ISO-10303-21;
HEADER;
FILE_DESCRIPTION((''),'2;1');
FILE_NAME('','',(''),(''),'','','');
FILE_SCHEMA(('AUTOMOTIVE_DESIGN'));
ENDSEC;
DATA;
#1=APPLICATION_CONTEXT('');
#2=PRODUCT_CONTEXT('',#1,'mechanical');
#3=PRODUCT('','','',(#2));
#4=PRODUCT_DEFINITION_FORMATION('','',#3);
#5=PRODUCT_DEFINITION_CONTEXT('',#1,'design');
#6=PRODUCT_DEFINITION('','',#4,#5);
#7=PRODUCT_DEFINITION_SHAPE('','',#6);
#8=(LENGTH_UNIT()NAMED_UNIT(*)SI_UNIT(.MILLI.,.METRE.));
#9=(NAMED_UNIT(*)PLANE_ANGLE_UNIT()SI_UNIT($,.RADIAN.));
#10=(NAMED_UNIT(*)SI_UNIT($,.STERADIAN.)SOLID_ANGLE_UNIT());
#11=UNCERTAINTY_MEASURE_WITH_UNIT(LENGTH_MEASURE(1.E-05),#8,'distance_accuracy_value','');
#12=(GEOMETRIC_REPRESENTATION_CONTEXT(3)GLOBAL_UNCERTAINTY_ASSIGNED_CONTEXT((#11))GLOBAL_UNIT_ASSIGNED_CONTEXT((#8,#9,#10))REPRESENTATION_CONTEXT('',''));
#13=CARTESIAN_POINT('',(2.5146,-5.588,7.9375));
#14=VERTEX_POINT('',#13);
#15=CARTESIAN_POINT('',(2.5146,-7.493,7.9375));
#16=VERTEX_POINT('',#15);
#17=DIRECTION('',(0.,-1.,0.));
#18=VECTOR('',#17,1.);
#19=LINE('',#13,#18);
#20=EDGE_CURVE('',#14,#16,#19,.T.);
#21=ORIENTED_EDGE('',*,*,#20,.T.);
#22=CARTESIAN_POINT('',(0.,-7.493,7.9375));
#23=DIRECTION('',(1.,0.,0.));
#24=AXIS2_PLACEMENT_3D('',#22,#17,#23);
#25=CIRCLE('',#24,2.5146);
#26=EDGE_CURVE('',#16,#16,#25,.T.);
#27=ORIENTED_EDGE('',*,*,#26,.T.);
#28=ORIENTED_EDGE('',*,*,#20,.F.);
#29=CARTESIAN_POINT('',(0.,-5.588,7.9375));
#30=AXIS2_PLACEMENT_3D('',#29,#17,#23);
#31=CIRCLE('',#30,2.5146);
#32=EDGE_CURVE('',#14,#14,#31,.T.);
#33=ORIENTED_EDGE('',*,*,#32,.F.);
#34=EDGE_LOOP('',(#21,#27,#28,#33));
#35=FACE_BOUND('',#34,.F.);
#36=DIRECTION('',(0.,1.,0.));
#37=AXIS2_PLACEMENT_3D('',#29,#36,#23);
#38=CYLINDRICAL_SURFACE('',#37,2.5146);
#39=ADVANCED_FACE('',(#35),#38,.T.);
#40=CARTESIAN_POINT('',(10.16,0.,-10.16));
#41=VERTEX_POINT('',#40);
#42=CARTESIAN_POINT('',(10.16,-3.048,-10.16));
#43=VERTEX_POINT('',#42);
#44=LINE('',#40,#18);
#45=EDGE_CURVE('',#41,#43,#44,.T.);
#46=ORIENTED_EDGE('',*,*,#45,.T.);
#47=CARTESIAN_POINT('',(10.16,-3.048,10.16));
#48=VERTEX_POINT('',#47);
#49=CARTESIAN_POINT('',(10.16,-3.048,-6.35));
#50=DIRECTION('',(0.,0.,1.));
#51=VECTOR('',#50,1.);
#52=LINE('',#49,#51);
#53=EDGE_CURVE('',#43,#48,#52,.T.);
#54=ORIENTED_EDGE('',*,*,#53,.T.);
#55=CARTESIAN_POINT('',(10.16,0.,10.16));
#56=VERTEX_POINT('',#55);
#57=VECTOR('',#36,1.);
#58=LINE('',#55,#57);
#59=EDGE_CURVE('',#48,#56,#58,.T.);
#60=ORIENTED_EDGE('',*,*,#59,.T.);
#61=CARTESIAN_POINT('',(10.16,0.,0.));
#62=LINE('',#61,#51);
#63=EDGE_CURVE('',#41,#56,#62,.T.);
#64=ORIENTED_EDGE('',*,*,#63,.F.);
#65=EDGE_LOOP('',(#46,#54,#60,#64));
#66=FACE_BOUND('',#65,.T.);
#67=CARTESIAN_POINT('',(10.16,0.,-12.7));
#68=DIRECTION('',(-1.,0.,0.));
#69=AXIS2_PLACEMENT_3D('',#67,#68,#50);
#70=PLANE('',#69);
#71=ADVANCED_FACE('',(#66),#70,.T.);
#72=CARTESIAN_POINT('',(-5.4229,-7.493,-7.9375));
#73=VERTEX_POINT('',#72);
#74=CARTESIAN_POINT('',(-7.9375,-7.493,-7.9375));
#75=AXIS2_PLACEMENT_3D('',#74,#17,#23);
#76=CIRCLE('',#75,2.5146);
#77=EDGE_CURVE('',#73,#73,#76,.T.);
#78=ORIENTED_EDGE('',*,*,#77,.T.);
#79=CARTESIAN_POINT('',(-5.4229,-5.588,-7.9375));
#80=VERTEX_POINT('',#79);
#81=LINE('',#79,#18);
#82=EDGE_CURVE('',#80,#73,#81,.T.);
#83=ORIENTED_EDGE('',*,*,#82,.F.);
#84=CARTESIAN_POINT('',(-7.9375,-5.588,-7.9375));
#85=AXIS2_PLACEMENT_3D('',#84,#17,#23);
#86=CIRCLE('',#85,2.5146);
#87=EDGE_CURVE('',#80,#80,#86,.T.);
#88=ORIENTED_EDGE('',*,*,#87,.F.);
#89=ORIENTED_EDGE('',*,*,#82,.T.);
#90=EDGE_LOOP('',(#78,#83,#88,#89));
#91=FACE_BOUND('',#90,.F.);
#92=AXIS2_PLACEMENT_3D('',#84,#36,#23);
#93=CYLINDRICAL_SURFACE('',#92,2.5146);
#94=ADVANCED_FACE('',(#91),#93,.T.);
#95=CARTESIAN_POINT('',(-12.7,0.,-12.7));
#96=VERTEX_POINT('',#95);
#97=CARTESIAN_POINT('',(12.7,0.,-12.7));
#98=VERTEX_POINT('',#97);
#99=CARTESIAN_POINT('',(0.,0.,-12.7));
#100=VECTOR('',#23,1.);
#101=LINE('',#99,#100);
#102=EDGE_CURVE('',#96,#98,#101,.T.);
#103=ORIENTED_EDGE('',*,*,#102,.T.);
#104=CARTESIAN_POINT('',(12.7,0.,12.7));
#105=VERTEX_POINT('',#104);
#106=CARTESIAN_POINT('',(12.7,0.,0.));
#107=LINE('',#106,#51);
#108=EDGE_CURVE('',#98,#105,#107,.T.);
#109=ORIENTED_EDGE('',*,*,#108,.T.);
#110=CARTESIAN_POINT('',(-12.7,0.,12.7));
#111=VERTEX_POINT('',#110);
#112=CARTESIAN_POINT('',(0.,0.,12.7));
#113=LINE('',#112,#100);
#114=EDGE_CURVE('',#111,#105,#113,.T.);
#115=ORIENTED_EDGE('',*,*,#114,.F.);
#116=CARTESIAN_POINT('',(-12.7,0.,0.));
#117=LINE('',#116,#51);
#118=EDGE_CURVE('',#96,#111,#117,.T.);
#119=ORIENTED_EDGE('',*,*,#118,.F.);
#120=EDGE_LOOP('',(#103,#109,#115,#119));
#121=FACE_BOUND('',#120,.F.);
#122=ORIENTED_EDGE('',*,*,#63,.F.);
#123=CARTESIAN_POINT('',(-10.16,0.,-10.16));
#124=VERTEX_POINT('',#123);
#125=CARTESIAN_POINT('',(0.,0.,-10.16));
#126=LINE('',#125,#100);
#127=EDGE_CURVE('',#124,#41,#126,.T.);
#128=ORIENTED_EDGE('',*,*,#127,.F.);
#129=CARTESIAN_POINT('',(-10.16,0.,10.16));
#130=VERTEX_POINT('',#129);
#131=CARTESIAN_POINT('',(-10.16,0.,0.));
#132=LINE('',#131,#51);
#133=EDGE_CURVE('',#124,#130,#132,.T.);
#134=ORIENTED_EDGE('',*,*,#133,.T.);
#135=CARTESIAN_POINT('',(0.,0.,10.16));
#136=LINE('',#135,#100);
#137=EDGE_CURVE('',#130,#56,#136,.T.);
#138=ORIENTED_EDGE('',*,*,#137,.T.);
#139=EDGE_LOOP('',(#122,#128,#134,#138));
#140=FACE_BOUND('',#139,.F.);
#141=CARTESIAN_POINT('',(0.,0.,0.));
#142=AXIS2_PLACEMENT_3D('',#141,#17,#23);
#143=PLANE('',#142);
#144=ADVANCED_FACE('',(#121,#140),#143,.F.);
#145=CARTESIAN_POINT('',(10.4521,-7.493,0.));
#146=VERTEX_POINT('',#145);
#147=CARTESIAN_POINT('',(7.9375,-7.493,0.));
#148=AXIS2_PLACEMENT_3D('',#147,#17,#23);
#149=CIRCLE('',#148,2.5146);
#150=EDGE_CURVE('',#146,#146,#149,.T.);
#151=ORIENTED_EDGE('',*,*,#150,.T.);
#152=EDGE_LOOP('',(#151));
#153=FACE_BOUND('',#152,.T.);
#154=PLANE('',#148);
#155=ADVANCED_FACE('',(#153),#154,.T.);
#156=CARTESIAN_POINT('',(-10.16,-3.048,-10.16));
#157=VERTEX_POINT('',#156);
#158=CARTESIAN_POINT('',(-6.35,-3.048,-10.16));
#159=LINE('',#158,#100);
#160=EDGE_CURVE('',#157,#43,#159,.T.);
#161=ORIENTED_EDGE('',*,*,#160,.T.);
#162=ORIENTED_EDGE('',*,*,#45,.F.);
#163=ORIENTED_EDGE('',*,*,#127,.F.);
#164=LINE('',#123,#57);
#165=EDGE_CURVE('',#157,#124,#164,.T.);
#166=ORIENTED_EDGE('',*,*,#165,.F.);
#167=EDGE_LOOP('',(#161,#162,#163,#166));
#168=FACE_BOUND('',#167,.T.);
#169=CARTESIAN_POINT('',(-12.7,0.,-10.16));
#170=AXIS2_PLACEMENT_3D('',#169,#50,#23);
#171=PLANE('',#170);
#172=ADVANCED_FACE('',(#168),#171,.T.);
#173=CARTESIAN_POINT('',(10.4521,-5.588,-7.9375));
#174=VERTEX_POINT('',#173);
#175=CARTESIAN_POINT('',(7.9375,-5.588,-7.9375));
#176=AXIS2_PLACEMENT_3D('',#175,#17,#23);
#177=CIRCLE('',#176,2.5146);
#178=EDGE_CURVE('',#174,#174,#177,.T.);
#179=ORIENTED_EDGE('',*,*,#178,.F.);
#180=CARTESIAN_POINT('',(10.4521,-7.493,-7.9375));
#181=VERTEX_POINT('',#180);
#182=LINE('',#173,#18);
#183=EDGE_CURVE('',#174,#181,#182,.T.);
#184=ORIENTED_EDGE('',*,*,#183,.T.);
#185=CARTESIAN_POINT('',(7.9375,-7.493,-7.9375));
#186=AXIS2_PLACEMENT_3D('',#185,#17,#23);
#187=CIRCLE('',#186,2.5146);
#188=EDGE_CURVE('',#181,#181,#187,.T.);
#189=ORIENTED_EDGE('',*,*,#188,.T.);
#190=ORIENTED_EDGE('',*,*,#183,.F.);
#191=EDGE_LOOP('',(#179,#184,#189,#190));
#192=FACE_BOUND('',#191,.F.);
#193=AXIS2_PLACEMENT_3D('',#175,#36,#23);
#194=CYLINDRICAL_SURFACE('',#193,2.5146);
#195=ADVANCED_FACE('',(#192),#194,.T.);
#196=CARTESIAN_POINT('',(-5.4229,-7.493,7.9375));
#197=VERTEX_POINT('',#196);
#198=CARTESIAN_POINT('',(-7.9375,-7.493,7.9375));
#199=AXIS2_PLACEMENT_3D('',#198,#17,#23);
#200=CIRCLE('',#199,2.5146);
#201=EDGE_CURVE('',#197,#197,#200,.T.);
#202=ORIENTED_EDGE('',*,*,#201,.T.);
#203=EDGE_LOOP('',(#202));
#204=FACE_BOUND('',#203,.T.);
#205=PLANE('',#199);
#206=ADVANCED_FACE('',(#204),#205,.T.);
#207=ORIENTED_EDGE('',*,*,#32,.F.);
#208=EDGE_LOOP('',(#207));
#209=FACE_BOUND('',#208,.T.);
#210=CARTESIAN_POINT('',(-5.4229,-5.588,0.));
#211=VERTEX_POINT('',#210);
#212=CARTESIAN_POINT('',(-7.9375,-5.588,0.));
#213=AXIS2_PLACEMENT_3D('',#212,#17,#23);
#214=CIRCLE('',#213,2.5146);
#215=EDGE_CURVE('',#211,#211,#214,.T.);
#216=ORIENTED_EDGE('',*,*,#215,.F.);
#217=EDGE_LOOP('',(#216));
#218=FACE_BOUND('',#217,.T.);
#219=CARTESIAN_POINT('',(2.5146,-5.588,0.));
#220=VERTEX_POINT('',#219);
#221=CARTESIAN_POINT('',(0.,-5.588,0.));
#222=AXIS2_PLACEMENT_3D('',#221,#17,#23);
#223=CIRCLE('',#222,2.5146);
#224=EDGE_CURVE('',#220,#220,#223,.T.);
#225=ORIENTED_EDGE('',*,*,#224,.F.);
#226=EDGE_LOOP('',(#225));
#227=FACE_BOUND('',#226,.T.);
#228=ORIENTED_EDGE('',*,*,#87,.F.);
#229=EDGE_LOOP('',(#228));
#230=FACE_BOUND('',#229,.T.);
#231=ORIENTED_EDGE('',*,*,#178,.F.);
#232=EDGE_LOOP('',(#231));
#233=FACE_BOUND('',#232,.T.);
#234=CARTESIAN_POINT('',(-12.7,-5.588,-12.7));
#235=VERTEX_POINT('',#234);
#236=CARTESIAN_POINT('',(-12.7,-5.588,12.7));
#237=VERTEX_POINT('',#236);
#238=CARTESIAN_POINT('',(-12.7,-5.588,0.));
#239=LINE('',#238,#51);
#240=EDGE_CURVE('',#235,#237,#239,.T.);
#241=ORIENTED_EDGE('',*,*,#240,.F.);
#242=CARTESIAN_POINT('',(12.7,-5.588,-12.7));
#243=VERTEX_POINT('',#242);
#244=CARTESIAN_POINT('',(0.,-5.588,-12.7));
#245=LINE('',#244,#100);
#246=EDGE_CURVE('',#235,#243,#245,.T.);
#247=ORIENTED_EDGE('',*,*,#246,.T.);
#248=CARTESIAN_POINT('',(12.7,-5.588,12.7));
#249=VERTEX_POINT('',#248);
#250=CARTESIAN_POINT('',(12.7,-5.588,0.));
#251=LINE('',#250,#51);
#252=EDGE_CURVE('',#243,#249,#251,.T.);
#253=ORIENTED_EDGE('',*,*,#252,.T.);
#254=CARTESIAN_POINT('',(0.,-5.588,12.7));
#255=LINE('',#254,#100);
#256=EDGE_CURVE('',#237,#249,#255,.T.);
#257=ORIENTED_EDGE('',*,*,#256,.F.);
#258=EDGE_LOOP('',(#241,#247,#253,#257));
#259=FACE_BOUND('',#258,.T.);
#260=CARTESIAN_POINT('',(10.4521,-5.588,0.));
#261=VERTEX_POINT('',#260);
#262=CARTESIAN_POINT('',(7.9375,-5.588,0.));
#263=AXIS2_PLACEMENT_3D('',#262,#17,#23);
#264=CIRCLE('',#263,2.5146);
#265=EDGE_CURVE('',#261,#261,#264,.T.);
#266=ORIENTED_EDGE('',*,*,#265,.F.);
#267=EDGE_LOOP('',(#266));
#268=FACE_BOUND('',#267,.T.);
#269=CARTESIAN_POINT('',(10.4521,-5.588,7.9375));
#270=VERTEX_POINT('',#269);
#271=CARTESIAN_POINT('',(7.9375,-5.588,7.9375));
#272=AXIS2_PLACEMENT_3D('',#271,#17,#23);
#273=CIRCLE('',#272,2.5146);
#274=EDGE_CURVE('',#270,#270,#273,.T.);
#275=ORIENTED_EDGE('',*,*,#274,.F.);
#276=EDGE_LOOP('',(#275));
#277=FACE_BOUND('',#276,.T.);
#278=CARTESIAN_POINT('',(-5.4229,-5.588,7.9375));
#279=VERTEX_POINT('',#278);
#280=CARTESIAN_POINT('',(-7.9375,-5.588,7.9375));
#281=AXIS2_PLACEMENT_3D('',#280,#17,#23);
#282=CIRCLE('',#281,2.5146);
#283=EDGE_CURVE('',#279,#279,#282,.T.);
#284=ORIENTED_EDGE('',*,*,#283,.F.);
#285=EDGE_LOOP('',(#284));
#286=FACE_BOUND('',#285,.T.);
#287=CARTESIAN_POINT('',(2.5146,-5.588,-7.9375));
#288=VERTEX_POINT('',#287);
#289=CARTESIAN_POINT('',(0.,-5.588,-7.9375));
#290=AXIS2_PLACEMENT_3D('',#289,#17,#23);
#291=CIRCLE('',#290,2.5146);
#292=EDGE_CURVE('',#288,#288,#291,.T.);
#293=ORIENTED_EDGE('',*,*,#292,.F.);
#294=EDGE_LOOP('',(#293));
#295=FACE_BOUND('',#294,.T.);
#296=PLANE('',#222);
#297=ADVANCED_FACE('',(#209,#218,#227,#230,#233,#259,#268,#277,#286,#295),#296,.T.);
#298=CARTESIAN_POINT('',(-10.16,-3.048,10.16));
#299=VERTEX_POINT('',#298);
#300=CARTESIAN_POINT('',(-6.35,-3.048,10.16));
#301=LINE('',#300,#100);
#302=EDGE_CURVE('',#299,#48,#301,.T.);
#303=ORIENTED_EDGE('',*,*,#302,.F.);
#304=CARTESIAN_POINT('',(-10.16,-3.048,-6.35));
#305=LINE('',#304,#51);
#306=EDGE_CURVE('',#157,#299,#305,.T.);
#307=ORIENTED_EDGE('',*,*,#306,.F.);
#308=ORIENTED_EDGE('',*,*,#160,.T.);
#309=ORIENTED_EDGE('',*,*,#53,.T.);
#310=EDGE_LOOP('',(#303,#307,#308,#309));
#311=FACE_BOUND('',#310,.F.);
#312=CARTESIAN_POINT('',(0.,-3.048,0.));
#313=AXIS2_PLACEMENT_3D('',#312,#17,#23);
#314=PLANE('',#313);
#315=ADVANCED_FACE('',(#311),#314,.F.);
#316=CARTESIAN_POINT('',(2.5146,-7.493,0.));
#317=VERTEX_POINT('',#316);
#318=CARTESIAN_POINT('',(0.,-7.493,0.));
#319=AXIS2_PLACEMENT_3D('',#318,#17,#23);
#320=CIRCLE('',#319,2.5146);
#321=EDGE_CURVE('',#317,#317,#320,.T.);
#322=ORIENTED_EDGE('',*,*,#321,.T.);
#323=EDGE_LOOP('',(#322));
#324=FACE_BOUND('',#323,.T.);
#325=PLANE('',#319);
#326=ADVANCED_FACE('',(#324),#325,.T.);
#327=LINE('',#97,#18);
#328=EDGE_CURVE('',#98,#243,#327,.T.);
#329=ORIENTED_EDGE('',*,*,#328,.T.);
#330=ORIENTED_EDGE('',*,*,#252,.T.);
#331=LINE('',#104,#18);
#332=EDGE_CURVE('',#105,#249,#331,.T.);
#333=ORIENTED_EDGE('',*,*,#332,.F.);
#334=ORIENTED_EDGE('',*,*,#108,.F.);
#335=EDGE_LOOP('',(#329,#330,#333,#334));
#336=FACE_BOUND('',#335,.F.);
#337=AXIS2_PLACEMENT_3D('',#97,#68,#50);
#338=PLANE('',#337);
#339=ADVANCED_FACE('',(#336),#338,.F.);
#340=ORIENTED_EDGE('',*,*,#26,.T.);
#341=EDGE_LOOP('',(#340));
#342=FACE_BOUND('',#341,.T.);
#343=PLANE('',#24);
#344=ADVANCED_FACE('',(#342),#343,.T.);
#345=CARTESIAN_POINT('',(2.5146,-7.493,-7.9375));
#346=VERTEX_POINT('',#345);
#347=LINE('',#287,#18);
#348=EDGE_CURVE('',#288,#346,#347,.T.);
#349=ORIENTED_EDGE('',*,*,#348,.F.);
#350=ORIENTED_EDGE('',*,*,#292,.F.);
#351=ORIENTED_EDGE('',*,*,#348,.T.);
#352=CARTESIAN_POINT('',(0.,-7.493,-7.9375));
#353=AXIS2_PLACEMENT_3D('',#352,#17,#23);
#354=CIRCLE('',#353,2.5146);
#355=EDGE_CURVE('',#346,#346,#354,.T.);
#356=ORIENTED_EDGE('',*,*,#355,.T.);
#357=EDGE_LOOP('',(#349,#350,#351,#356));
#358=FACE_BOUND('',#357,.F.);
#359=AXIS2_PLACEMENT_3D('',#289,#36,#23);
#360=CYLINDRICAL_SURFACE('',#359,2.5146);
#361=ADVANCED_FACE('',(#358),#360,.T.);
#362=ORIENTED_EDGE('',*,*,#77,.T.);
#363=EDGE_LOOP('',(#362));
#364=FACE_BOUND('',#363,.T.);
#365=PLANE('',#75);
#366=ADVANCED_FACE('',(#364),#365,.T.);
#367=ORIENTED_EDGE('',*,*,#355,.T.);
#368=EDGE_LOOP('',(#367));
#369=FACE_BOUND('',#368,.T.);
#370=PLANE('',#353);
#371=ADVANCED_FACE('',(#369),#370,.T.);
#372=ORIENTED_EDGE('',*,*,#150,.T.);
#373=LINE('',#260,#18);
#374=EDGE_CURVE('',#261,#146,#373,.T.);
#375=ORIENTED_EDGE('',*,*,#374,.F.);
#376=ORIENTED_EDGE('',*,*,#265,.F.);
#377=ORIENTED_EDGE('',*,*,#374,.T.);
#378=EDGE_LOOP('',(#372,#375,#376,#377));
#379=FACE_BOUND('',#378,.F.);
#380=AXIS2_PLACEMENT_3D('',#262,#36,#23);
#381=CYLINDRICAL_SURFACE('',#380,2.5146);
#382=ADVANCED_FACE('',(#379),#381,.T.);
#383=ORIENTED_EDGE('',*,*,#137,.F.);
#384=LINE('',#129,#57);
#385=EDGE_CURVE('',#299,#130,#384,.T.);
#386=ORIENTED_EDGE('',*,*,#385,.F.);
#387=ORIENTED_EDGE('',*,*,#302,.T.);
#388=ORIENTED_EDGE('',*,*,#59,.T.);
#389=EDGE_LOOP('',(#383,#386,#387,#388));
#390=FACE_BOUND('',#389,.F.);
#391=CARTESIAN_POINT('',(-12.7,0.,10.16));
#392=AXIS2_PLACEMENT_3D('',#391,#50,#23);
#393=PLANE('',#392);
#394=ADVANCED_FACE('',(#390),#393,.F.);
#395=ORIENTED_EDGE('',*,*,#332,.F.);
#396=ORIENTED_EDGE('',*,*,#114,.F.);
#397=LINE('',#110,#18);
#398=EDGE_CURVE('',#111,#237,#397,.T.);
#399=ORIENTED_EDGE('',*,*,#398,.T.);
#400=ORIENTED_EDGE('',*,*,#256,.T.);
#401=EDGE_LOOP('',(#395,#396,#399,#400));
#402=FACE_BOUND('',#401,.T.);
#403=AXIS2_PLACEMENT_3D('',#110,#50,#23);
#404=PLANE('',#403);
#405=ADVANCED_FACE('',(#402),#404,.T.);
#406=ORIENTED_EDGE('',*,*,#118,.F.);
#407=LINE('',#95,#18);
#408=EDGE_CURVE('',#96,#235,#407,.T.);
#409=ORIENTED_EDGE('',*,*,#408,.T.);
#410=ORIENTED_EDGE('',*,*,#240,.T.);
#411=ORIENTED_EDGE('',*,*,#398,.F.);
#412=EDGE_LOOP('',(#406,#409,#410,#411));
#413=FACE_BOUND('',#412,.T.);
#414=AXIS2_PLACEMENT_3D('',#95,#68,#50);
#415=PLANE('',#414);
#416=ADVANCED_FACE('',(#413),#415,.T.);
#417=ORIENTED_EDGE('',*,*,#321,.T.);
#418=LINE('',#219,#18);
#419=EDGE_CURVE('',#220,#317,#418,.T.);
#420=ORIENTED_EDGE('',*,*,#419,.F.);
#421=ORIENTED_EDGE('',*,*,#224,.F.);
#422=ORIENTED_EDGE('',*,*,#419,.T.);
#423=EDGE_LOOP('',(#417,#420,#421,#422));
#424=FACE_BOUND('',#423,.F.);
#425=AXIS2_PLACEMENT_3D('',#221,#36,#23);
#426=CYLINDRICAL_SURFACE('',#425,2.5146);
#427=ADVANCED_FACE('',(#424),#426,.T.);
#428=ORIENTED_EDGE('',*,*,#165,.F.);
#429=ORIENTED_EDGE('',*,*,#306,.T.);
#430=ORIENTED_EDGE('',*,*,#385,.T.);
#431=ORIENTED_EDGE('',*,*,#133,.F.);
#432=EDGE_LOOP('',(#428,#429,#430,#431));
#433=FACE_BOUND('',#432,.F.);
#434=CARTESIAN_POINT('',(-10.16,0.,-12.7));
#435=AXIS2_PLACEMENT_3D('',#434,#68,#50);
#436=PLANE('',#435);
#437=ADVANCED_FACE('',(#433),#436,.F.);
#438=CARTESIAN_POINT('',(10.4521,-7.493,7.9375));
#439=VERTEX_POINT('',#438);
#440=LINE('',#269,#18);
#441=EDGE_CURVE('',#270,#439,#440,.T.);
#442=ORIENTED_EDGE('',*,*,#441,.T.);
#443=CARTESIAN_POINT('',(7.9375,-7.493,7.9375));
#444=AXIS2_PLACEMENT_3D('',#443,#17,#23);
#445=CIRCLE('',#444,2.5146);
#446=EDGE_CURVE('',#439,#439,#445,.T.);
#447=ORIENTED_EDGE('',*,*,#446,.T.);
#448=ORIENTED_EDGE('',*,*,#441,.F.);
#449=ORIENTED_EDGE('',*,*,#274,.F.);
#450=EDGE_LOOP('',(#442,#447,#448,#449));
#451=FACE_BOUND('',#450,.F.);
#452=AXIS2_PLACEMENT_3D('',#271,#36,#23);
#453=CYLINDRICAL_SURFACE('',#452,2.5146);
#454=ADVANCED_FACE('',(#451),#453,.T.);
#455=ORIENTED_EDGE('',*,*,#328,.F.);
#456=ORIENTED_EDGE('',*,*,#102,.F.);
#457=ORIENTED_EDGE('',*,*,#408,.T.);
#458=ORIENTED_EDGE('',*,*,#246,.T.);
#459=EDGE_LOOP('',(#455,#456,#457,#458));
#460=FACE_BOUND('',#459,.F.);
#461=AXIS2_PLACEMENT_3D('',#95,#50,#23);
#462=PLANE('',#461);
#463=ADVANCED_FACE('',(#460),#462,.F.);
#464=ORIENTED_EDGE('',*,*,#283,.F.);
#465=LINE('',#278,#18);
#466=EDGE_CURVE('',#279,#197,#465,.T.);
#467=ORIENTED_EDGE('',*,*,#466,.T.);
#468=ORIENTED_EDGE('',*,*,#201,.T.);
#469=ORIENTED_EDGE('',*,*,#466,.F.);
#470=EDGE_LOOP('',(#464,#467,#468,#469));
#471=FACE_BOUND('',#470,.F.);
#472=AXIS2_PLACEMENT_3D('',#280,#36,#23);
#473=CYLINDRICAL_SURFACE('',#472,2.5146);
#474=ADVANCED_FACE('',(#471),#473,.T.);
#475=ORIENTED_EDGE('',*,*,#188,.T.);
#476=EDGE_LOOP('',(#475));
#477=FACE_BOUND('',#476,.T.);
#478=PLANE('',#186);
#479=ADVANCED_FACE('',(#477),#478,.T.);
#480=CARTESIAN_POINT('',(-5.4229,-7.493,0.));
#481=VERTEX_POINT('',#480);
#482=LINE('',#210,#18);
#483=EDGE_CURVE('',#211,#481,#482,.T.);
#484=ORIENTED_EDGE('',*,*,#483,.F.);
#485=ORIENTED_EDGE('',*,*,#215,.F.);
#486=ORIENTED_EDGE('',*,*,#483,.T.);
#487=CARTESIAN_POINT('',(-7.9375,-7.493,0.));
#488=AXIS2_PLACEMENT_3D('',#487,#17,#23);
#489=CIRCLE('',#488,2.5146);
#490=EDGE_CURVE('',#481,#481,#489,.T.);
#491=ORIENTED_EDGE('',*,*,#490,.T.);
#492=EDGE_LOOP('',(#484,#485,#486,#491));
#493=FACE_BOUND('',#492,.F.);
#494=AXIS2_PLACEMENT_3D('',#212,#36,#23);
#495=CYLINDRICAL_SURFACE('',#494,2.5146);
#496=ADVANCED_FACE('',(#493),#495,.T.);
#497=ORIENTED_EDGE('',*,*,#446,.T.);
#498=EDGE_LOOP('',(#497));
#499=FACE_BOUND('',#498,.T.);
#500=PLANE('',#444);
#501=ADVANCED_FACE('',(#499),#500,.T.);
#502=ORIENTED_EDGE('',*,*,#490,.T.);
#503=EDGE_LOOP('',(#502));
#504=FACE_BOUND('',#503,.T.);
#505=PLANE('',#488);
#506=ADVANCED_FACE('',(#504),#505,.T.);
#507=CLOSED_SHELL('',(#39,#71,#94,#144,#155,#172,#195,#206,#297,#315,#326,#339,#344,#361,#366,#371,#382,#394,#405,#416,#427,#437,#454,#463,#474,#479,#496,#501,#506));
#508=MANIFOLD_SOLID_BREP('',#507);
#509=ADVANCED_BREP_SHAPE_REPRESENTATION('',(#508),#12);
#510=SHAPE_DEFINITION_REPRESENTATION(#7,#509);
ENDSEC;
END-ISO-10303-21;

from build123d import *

# Parameters (mm, degrees)
F0_W     = 25.4
F0_H     = 25.4
F1_DEPTH = 5.588
F3_T     = -2.54
F2_R     = 2.5146
F4_DEPTH = 1.905


with BuildPart() as f1:
    # F0 (on Front) → F1 (new body)
    with BuildSketch(Plane.XZ):
        Rectangle(F0_W, F0_H)
    extrude(amount=F1_DEPTH)

    # F3
    f3_openings = [f1.faces().sort_by_distance(p)[0] for p in [
        (0, 0, 0),
    ]]
    offset(amount=F3_T, openings=f3_openings)

    # F2 (on face) → F4 (join)
    with BuildSketch(Plane.XZ.offset(5.588)):
        with Locations((-7.9375, 7.9375)):
            Circle(F2_R)
        with Locations((0, 7.9375)):
            Circle(F2_R)
        with Locations((7.9375, 7.9375)):
            Circle(F2_R)
        with Locations((7.9375, 0)):
            Circle(F2_R)
        Circle(F2_R)
        with Locations((-7.9375, 0)):
            Circle(F2_R)
        with Locations((-7.9375, -7.9375)):
            Circle(F2_R)
        with Locations((0, -7.9375)):
            Circle(F2_R)
        with Locations((7.9375, -7.9375)):
            Circle(F2_R)
    extrude(amount=F4_DEPTH)


solid = f1.part
